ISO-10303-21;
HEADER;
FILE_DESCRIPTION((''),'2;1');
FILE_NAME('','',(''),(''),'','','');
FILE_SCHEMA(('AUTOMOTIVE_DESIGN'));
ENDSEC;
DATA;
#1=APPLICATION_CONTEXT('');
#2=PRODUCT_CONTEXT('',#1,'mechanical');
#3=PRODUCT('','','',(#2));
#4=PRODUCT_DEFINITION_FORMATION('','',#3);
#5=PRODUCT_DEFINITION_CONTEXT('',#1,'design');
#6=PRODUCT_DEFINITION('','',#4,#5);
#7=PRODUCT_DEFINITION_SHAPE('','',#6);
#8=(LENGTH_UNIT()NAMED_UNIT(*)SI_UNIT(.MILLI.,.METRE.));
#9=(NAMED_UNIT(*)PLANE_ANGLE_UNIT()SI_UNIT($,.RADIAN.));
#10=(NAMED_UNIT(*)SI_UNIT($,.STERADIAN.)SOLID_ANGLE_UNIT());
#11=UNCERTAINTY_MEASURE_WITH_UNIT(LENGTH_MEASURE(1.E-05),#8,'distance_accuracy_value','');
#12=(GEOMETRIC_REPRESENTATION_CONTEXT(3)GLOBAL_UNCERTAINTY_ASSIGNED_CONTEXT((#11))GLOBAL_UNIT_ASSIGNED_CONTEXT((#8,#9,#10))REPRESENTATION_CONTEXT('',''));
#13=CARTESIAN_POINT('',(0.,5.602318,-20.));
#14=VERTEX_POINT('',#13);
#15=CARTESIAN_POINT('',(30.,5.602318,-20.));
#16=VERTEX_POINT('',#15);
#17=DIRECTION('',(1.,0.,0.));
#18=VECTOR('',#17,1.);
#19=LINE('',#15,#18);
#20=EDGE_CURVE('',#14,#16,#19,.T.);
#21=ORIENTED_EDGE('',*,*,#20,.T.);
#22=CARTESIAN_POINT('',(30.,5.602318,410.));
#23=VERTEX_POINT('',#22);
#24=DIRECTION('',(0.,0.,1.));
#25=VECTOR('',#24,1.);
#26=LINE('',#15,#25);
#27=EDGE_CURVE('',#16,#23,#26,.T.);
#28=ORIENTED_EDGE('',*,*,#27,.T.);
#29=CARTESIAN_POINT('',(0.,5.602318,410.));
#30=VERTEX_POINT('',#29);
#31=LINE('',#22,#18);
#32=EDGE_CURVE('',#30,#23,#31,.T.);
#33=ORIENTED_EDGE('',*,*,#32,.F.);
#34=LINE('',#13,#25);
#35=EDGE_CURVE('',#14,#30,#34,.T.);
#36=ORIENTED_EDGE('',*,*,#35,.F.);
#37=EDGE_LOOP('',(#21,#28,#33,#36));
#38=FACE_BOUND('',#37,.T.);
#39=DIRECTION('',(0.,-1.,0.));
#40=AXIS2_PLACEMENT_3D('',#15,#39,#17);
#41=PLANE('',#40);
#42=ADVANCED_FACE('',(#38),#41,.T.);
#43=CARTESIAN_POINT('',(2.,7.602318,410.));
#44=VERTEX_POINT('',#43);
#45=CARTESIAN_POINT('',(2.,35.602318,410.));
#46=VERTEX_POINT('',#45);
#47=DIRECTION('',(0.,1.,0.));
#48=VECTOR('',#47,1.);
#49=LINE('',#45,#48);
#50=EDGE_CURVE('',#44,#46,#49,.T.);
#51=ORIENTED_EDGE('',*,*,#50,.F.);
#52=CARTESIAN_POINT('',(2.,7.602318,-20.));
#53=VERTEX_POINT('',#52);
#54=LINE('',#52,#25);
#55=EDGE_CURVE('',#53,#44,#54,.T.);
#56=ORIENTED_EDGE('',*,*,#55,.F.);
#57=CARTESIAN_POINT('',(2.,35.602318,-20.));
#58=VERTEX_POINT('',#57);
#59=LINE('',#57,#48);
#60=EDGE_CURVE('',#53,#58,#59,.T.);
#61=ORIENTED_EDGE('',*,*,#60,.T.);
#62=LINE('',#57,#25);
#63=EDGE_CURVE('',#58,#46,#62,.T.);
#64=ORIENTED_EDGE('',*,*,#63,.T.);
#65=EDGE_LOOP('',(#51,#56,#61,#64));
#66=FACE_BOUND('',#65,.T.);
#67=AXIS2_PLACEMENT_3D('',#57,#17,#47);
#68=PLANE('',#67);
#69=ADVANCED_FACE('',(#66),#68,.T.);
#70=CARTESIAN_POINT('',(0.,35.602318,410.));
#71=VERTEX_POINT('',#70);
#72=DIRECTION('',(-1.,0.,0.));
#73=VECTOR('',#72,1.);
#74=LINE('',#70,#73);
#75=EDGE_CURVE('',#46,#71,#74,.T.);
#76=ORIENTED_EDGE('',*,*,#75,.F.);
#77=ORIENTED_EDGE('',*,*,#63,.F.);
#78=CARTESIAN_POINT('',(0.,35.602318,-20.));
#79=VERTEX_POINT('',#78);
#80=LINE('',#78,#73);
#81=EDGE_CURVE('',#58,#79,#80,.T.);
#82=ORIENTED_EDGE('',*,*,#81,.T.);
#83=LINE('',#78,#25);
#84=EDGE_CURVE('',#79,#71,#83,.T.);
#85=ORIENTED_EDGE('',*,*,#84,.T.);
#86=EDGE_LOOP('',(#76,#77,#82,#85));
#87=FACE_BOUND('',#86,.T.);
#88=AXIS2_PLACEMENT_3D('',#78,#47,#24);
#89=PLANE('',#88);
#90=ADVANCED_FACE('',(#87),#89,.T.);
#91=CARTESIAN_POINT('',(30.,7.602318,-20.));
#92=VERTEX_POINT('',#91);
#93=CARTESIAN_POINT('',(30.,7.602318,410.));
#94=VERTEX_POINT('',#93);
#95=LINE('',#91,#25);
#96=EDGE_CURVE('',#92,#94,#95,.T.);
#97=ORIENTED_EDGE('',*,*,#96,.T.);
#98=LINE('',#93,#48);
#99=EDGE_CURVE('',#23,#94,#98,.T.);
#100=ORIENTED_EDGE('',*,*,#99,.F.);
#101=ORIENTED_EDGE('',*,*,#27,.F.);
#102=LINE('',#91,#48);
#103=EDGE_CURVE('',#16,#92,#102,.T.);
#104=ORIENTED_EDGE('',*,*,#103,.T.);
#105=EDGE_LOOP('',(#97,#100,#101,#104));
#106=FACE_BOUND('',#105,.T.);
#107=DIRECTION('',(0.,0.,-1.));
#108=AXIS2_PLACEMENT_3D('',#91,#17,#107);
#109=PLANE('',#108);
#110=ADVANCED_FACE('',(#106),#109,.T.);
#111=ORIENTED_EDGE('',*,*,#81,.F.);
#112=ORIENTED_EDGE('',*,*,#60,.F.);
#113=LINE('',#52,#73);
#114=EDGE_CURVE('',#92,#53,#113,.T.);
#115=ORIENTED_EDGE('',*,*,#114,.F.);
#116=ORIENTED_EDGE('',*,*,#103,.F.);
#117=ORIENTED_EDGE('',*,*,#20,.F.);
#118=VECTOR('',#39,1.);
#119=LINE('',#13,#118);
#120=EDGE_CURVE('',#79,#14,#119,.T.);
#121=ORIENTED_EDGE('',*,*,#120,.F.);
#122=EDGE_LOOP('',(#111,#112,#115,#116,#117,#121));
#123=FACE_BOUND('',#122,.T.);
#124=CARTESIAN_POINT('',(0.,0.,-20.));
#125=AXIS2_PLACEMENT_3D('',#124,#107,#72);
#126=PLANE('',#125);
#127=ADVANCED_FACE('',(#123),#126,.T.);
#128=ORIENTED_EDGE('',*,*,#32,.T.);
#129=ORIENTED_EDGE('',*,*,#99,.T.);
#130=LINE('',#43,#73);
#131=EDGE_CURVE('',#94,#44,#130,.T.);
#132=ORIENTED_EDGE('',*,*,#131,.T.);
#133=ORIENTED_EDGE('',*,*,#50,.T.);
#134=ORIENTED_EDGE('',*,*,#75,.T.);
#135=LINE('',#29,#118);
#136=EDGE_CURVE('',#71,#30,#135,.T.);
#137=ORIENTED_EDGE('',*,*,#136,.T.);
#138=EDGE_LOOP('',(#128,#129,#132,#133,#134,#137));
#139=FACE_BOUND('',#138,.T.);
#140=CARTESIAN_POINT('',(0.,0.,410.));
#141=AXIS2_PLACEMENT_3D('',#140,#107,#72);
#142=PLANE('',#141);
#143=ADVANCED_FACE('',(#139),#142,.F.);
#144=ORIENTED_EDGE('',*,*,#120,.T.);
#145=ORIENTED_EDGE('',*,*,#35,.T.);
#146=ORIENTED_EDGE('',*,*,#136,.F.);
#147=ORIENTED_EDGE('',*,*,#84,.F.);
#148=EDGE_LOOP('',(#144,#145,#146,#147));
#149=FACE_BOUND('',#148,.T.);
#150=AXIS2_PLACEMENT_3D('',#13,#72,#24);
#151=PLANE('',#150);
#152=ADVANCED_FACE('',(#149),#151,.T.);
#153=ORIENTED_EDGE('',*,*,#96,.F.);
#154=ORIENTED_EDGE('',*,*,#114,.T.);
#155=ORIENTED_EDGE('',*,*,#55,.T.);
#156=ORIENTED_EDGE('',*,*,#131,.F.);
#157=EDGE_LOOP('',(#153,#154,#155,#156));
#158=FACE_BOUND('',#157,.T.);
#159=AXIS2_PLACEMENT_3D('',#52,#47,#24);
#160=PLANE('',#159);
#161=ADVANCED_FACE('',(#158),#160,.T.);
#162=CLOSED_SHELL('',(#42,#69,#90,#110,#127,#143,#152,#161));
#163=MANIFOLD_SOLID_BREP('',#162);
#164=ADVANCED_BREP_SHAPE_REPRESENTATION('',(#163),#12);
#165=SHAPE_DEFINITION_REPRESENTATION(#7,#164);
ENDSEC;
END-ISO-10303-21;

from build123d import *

# Parameters (mm, degrees)
BOSS_EXTRUDE1_DEPTH      = 410
BOSS_EXTRUDE1_DEPTH_BACK = 20


with BuildPart() as part:
    # Sketch1 → Boss-Extrude1 (new, two sides: drawn at the far end of the back side and taken through both)
    with BuildSketch(Plane.XY.offset(-BOSS_EXTRUDE1_DEPTH_BACK)):
        Polygon((0, 5.602318429), (0, 35.602318429), (2, 35.602318429), (2, 7.602318429), (30, 7.602318429), (30, 5.602318429), align=None)
    extrude(amount=BOSS_EXTRUDE1_DEPTH + BOSS_EXTRUDE1_DEPTH_BACK)


solid = part.part
